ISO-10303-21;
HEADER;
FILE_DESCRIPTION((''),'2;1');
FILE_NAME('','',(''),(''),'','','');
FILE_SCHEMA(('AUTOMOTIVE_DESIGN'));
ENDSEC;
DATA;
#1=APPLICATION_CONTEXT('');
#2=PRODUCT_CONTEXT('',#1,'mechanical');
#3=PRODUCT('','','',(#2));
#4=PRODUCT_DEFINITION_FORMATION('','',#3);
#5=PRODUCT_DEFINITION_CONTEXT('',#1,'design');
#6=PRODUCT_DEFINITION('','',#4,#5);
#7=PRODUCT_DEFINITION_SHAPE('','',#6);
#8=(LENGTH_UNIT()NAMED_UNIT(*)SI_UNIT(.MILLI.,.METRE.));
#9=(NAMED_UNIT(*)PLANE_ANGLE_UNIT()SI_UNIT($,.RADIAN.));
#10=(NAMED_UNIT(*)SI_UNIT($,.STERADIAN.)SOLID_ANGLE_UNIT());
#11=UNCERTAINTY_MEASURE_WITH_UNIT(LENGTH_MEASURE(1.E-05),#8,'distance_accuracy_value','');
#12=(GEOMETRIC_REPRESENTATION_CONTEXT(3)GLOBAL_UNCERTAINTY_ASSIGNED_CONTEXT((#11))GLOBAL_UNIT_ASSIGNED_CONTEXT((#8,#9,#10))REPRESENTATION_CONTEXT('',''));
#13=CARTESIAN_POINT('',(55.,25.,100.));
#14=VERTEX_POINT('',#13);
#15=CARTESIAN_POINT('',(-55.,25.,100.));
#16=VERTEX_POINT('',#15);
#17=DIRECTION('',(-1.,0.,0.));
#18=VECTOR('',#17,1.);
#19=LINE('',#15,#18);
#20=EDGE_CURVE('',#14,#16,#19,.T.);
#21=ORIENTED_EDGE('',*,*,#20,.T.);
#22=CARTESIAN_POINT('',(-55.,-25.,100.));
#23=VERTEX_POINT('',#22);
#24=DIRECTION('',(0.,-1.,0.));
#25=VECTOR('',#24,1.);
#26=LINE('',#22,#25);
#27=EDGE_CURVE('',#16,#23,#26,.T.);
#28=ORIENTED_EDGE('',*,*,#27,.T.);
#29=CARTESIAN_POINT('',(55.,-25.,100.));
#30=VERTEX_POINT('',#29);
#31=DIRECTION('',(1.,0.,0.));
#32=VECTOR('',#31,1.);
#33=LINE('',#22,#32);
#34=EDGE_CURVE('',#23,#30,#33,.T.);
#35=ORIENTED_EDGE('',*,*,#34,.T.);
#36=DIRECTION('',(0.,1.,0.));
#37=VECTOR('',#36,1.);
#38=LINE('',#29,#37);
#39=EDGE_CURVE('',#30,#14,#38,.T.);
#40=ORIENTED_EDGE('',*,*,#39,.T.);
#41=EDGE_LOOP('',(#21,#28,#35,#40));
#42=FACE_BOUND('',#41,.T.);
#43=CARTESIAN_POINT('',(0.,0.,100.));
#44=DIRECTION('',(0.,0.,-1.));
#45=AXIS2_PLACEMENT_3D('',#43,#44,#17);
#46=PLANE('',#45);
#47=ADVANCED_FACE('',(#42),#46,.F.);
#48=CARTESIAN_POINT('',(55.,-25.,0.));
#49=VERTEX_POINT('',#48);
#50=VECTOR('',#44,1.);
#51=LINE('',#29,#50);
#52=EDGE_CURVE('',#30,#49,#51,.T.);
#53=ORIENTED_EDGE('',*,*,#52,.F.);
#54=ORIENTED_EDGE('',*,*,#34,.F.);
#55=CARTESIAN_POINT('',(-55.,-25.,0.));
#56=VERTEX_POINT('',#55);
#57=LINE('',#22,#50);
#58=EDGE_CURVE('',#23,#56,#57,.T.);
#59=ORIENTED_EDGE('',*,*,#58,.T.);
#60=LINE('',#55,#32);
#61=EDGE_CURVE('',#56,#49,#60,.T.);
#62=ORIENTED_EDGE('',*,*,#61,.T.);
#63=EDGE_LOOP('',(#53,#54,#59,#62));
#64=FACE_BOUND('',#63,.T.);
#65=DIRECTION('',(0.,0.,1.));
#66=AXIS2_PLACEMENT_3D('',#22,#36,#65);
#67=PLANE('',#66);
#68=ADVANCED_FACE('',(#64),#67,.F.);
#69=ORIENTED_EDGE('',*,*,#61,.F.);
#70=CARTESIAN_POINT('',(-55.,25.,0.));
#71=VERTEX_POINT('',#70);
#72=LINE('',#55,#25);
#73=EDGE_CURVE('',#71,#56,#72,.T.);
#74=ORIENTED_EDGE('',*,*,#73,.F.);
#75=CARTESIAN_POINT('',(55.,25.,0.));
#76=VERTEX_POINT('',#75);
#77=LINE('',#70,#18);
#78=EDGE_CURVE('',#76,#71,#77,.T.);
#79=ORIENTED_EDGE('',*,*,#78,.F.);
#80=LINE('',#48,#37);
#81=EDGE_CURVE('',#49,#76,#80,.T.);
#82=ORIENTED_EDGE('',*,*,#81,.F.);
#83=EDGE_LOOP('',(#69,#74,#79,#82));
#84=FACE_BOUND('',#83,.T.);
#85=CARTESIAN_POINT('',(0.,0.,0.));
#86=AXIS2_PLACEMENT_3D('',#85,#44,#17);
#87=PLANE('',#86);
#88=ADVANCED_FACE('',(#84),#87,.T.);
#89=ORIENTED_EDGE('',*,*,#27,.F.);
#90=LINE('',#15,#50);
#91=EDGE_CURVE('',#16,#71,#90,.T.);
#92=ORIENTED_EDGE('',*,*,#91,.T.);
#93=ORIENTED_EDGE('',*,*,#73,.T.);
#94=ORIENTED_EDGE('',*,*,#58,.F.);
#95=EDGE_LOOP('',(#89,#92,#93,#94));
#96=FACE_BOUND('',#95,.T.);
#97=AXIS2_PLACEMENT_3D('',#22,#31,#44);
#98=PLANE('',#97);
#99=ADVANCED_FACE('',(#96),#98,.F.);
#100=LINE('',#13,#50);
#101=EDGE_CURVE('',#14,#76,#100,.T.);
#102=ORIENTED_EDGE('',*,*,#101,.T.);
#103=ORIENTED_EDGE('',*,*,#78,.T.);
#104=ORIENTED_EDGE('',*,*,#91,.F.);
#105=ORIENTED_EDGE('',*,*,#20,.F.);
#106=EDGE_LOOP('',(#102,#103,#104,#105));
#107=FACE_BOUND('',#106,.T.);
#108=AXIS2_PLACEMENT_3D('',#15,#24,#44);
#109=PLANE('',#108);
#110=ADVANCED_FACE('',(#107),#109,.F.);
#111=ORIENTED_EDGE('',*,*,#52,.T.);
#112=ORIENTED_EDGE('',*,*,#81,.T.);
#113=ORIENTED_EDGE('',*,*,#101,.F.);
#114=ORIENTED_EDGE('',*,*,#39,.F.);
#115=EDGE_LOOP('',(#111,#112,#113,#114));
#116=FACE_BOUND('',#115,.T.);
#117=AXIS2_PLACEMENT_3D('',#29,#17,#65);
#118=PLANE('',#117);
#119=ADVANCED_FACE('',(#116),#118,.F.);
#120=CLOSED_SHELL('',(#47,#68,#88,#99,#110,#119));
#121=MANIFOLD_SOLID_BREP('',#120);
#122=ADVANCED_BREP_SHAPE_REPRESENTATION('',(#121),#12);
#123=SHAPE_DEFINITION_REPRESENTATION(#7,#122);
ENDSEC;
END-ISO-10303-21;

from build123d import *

# Parameters (mm, degrees)
ESQUISSE1_W        = 110
ESQUISSE1_H        = 50
BOSS_EXTRU_1_DEPTH = 100


with BuildPart() as part:
    # Esquisse1 → Boss.-Extru.1 (new body)
    with BuildSketch(Plane.XY):
        Rectangle(ESQUISSE1_W, ESQUISSE1_H)
    extrude(amount=BOSS_EXTRU_1_DEPTH)


solid = part.part
